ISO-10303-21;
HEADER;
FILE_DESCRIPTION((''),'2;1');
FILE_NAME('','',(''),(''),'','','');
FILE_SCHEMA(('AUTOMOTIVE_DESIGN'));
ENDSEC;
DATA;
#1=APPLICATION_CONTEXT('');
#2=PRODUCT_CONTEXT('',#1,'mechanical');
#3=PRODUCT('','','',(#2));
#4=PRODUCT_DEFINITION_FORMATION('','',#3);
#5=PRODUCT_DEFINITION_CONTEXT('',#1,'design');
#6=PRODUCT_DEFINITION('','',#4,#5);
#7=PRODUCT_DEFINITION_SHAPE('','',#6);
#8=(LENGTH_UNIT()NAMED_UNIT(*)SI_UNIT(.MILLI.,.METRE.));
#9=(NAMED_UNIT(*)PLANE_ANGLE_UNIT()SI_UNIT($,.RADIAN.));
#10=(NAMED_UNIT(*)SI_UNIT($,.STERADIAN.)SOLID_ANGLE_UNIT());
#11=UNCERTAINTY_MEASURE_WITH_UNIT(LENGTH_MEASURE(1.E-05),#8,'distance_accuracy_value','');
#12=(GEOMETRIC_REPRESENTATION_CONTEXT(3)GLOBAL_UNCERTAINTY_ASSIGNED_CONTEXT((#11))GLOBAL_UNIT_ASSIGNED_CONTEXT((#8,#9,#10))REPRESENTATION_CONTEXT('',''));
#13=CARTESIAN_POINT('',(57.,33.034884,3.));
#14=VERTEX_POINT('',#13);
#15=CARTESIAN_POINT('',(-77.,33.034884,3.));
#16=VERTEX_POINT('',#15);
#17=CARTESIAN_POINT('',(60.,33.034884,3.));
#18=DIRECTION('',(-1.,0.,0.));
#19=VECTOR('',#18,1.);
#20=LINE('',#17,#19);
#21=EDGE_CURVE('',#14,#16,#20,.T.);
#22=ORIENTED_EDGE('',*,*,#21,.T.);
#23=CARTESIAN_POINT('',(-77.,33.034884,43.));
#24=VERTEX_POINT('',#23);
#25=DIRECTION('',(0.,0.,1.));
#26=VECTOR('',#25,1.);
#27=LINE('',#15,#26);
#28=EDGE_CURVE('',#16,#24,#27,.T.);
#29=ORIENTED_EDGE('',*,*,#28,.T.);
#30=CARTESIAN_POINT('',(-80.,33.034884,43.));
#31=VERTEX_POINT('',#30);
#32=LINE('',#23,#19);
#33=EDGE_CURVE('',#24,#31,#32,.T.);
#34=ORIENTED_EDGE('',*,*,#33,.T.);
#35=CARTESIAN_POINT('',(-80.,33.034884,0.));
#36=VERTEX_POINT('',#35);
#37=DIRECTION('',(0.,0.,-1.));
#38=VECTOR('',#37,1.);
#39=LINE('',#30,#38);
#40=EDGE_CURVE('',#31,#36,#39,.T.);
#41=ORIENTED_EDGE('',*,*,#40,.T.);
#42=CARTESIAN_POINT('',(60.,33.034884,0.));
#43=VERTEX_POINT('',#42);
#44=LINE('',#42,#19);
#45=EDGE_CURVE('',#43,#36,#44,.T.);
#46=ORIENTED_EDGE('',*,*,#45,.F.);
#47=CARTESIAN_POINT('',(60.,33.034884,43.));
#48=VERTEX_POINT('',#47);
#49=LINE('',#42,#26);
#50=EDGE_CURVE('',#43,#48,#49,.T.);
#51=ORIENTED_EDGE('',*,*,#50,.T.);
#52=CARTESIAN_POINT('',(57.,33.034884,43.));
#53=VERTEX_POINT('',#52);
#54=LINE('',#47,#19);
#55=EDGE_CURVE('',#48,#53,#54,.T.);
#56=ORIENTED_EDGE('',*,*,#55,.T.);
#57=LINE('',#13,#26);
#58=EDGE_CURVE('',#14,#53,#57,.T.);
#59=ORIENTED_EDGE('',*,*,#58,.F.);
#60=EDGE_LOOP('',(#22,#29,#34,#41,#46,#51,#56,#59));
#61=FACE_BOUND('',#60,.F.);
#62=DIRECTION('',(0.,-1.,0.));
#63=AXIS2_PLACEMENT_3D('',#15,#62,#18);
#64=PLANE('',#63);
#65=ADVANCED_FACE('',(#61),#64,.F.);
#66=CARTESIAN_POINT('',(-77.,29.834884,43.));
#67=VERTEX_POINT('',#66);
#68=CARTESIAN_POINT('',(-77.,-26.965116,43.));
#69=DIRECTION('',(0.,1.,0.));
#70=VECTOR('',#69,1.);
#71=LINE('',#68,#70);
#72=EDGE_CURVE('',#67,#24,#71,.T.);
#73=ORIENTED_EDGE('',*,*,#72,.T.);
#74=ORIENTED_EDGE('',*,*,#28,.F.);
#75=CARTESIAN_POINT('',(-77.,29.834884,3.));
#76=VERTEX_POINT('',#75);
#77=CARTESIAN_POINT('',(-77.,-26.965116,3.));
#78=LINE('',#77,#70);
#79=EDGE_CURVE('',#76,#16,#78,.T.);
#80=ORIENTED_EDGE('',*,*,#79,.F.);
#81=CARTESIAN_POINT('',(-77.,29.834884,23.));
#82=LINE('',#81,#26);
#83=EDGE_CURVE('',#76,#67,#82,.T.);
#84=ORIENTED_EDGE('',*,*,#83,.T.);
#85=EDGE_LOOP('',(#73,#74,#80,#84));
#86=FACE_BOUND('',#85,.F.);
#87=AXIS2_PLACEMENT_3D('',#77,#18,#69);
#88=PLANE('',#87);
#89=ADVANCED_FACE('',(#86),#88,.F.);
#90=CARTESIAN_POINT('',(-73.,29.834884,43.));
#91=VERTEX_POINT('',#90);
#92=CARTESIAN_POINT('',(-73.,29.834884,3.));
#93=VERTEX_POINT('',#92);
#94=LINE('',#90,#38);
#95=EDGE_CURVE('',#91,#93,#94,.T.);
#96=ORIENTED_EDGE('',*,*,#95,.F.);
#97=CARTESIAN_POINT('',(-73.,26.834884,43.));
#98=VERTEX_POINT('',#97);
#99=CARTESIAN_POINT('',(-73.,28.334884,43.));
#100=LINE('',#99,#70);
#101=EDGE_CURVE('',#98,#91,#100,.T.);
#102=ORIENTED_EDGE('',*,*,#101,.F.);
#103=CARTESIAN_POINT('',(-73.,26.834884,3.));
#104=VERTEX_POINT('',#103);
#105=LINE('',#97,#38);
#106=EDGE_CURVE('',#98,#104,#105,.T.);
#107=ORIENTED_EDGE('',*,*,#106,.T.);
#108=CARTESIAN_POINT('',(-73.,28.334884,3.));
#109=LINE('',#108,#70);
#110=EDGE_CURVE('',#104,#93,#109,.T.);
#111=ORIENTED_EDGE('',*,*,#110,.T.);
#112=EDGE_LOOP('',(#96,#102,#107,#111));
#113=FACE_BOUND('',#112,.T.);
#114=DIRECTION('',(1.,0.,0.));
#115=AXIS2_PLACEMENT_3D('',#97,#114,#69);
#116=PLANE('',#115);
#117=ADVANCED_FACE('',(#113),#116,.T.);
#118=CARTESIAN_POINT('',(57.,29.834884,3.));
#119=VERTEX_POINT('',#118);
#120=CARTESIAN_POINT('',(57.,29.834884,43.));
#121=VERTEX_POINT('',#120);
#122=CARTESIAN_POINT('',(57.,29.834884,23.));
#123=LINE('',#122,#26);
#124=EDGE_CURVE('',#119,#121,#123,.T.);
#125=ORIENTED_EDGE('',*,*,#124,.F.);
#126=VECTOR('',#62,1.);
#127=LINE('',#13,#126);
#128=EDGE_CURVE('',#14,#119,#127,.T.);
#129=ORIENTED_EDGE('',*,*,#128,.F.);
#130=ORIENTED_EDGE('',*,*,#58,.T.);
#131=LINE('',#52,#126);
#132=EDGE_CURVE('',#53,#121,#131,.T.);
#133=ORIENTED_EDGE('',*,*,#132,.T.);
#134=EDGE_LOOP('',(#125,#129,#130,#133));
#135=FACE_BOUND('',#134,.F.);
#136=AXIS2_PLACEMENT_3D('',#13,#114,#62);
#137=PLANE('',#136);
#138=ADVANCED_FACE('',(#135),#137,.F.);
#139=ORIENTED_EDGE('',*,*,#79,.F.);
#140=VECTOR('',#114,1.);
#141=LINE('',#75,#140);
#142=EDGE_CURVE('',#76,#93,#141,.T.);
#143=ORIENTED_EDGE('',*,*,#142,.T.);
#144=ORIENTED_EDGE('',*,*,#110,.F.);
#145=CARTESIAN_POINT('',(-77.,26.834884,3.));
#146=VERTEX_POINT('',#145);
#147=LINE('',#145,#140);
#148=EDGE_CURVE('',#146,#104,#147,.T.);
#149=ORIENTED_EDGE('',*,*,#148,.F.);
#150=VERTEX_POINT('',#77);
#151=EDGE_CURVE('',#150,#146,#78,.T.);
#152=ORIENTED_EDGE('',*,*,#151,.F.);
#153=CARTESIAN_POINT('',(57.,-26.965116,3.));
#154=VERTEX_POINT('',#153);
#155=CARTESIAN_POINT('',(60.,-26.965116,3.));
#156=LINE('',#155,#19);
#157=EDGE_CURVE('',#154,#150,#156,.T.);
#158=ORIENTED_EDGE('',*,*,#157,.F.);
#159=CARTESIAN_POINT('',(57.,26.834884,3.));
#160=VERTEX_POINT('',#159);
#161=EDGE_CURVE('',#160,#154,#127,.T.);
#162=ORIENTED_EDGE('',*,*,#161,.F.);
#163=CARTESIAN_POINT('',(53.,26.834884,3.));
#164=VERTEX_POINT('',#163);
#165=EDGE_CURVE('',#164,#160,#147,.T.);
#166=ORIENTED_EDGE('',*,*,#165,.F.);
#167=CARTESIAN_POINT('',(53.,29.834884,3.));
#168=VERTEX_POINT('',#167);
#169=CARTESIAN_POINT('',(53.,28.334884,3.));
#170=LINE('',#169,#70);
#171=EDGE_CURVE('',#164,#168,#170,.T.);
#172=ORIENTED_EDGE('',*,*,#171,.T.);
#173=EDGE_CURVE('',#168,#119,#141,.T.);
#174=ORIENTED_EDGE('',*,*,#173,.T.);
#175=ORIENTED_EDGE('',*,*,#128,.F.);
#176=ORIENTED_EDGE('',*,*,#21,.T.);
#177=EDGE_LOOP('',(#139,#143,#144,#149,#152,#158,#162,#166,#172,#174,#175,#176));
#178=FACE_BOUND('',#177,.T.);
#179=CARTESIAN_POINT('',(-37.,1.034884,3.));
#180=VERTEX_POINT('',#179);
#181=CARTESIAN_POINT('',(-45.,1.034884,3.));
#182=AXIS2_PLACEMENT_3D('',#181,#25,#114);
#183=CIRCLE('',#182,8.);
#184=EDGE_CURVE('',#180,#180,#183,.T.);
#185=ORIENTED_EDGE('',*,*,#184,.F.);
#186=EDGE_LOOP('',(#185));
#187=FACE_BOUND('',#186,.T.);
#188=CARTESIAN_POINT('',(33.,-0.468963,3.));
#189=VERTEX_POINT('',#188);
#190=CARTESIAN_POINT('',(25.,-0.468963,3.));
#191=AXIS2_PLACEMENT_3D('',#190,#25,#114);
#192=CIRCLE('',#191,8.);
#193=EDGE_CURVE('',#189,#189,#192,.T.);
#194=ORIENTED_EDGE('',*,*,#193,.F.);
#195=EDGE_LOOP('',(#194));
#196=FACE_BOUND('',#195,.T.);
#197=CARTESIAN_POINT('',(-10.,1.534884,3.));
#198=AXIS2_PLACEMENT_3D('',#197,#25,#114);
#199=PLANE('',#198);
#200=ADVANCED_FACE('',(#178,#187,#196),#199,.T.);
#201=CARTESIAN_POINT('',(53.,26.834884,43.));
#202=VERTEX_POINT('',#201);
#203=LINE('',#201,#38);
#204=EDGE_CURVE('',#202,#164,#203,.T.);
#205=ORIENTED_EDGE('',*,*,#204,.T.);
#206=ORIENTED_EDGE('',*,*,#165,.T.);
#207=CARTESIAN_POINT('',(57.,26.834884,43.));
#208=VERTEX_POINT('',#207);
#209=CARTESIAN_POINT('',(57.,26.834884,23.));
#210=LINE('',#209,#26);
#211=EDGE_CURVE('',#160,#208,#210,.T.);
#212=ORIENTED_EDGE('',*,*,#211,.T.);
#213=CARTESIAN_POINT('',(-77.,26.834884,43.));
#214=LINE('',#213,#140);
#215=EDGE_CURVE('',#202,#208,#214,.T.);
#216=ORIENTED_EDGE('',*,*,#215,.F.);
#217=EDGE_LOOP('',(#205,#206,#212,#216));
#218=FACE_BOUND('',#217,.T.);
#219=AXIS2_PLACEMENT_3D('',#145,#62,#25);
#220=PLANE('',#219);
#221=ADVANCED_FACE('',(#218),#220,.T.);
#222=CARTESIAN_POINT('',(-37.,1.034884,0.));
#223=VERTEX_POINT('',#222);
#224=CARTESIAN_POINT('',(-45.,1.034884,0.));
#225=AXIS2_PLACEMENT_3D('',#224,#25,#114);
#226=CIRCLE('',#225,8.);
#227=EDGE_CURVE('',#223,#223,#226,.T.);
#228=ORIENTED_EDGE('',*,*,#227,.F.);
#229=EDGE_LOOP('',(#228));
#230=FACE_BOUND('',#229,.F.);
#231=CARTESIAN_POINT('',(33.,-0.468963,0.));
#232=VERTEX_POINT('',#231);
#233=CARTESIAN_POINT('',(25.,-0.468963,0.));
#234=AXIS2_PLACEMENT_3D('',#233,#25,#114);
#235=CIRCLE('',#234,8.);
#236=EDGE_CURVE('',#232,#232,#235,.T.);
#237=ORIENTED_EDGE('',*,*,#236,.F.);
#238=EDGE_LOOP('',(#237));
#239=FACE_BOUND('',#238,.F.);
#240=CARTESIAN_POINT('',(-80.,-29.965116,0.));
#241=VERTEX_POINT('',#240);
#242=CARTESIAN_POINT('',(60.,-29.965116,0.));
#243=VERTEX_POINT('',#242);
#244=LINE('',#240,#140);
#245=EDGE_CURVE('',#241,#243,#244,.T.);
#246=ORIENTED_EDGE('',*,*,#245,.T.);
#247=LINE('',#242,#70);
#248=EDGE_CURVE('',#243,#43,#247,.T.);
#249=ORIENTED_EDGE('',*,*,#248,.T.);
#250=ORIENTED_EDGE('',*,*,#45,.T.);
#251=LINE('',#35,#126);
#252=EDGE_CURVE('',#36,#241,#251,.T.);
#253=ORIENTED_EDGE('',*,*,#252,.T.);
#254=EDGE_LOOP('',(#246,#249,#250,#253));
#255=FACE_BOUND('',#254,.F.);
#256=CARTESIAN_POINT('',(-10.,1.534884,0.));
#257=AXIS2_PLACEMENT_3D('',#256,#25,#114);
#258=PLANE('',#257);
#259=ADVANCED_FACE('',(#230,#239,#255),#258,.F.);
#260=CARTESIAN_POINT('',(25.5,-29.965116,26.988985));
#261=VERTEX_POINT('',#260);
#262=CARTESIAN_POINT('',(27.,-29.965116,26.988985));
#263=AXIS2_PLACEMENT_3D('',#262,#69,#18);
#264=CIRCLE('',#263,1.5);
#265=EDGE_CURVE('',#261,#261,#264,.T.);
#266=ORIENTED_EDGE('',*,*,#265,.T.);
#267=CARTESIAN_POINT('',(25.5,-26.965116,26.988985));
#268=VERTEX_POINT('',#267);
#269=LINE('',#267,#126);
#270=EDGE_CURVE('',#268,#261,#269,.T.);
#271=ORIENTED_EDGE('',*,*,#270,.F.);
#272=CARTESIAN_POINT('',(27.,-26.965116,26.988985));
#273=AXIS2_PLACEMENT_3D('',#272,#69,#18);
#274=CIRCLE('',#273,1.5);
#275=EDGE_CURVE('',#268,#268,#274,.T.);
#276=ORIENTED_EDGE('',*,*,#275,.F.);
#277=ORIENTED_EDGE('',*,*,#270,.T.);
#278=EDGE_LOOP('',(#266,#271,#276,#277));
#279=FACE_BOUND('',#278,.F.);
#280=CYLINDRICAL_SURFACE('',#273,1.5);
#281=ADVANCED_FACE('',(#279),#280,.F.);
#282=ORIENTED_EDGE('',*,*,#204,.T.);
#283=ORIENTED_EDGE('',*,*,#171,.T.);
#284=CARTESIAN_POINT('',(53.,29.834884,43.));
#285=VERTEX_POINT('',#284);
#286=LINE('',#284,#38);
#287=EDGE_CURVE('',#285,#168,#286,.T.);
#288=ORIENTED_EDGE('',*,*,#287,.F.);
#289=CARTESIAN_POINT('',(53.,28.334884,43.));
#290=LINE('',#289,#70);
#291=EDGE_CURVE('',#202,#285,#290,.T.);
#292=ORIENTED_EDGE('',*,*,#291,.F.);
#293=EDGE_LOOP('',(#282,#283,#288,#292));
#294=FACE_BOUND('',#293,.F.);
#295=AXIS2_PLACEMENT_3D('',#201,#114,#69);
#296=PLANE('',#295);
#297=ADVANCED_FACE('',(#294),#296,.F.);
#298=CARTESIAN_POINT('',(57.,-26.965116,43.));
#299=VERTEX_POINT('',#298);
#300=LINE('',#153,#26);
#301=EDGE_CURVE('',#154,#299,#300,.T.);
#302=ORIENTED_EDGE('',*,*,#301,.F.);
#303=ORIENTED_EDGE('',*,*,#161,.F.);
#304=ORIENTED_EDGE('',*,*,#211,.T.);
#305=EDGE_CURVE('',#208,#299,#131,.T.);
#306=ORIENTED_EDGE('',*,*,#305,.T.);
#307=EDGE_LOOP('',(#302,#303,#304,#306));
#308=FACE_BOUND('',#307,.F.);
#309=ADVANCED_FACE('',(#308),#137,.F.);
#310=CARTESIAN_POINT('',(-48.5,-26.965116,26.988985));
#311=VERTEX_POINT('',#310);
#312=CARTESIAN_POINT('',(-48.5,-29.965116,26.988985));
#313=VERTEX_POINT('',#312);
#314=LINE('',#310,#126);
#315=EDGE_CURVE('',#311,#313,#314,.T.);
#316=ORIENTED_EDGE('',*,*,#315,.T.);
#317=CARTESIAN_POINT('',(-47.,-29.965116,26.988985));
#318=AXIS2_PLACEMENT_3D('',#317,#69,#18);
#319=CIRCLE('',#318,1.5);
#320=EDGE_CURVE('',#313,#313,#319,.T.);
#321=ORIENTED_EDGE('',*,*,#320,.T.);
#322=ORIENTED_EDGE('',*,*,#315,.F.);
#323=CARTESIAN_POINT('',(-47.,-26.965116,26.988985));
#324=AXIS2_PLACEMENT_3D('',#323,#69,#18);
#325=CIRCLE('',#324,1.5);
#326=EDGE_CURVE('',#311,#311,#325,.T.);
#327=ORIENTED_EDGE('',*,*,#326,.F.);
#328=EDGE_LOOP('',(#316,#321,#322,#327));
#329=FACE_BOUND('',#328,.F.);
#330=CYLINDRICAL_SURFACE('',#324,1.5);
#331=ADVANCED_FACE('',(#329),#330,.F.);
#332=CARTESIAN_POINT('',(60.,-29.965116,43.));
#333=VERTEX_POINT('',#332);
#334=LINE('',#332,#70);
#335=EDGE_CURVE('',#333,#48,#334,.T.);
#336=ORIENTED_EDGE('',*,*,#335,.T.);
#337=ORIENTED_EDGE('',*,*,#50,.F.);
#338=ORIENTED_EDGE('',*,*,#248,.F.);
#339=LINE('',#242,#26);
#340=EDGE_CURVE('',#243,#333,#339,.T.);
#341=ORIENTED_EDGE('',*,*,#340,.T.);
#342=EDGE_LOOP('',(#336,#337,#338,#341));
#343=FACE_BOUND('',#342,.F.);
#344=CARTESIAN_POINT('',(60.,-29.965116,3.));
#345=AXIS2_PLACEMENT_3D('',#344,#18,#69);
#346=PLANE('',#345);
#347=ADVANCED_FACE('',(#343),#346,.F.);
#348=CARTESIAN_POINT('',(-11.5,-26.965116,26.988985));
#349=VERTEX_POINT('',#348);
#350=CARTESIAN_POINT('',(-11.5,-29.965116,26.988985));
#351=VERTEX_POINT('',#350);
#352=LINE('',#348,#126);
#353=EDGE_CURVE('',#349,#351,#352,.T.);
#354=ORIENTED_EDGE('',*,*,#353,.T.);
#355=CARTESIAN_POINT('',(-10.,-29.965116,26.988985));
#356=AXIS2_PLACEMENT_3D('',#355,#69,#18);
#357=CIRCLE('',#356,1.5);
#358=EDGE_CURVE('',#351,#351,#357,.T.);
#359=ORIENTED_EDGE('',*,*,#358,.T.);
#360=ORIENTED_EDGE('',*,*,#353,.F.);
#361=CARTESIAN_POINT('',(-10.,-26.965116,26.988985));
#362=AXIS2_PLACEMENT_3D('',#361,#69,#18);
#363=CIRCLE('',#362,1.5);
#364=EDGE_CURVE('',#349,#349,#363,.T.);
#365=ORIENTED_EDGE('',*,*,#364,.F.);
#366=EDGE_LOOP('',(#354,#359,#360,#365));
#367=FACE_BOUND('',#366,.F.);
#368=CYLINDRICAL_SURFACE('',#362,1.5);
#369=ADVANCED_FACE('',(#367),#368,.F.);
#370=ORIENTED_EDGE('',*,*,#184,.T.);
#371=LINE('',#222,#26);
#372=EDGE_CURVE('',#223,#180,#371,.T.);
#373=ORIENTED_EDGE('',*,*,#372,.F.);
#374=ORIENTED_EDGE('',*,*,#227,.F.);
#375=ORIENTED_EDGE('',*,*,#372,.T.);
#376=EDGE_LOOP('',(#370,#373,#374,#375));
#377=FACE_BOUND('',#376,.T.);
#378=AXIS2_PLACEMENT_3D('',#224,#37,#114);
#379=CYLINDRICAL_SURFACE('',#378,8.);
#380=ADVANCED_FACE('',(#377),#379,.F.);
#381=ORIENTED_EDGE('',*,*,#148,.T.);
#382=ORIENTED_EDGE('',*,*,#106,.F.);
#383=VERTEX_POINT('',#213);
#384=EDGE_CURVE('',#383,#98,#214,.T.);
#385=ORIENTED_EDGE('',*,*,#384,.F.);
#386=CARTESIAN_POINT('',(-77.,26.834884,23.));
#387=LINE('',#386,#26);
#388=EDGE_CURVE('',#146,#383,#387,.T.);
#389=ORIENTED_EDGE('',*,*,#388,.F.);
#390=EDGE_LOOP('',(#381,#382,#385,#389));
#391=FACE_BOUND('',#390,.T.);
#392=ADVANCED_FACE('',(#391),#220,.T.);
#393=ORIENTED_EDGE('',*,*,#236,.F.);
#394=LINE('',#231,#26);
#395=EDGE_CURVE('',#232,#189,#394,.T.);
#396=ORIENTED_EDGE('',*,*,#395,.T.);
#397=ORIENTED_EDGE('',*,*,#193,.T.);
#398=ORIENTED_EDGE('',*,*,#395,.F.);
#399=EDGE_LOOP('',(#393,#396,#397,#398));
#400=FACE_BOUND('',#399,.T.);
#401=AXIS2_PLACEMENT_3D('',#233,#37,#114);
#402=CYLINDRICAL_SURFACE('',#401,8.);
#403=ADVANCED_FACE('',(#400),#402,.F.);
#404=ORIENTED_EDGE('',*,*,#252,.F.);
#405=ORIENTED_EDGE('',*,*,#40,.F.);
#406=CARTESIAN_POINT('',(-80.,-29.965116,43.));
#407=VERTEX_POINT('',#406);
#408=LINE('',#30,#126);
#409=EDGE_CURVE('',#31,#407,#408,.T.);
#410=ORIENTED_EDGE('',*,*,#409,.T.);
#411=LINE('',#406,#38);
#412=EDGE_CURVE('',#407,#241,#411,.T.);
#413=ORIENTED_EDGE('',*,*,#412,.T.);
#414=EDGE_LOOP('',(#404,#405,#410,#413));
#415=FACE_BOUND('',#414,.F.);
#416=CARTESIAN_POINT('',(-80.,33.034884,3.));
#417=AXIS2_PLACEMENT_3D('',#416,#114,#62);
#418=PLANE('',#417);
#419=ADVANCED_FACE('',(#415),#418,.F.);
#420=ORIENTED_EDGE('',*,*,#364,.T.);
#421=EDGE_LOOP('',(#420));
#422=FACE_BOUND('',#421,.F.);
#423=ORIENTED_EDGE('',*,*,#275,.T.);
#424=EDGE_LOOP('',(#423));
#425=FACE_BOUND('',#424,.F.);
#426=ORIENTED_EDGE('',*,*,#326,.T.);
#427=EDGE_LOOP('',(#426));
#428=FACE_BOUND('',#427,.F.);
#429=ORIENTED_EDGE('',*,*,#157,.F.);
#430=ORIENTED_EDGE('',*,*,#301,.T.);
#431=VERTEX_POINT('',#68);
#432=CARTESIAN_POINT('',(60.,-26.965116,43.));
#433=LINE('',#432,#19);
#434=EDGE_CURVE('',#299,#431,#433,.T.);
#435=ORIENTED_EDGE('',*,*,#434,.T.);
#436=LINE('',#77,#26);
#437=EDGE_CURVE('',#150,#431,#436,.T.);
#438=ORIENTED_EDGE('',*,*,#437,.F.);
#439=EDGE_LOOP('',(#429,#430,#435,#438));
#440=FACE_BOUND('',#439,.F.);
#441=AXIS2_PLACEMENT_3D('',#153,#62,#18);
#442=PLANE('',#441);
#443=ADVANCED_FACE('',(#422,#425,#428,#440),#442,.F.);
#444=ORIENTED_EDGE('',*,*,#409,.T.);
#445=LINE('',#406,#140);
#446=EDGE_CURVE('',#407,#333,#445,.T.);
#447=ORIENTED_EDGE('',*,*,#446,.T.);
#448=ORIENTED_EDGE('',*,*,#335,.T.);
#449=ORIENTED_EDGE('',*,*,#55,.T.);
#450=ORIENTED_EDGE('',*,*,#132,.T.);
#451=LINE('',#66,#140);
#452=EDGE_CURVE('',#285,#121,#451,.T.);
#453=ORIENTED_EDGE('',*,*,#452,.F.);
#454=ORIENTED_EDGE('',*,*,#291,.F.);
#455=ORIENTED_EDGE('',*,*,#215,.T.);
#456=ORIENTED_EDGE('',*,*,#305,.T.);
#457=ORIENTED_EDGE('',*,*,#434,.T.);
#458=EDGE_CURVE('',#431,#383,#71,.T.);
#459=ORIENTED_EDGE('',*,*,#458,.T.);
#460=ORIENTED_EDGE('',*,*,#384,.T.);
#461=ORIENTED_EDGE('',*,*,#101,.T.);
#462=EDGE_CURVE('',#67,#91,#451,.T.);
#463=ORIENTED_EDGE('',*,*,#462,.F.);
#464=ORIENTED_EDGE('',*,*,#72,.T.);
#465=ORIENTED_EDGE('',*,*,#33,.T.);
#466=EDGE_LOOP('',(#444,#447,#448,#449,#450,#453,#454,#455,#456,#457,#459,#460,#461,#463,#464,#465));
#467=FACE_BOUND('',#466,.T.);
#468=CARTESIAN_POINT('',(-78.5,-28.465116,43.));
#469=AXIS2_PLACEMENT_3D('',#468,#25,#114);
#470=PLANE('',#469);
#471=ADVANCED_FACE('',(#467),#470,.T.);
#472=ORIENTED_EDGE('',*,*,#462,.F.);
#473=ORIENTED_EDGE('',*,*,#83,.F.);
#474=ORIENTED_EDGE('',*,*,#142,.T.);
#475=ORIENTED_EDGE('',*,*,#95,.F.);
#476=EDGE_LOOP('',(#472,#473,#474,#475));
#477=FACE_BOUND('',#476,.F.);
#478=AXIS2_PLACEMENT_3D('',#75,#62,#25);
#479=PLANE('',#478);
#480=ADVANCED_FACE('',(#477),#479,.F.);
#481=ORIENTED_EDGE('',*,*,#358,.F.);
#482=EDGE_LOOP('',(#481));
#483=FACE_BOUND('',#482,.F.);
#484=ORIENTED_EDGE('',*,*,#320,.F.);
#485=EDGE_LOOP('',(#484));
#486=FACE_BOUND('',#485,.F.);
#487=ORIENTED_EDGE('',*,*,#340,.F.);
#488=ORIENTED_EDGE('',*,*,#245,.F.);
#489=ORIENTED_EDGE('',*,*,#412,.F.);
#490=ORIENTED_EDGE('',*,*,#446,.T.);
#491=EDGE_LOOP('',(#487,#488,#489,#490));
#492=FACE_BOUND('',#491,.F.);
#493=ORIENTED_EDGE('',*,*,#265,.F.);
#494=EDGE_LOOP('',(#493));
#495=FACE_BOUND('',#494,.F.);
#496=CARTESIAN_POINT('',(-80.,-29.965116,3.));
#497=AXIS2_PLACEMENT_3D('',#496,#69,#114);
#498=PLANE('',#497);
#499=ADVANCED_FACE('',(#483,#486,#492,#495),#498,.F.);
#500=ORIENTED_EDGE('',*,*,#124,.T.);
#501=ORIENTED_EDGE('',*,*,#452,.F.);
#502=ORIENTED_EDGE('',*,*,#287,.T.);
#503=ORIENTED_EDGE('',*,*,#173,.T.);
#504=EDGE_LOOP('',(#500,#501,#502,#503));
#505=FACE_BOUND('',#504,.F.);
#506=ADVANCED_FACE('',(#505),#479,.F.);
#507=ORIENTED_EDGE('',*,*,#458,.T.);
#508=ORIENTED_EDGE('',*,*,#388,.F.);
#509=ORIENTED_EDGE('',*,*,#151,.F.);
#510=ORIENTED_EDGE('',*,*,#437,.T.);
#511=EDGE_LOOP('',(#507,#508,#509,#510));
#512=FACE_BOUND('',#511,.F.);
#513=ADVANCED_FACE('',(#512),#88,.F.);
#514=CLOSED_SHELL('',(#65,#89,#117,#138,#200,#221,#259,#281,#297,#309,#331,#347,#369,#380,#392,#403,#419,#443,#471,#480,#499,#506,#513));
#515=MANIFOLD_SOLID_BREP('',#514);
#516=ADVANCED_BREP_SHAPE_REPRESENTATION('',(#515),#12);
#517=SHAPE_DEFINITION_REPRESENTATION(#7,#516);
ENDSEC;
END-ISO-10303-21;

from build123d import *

# Parameters (mm, degrees)
F0_R     = 8
F1_DEPTH = 3
F2_W     = 3
F2_H     = 3
F2_W_2   = 134
F3_DEPTH = 40
F4_W     = 3
F4_H     = 40
F5_DEPTH = 134
F6_W     = 126
F6_H     = 3
F7_DEPTH = 40
F8_R     = 1.5
F9_DEPTH = 3


with BuildPart() as f1:
    # F0 (on Top) → F1 (new body)
    with BuildSketch(Plane.XY):
        Polygon((-60, 33.034884), (-80, 33.034884), (-80, 18.034884), (-80, 0.034884), (-80, -2.965116), (-80, -17.965116), (-80, -29.965116), (60, -29.965116), (60, -24.965116), (60, -14.965116), (60, -9.965116), (60, -4.965116), (60, 0.034884), (60, 18.034884), (60, 33.034884), (40, 33.034884), (20, 33.034884), (0, 33.034884), (-20, 33.034884), (-40, 33.034884), align=None)
        with Locations((25, -0.468963)):
            Circle(F0_R, mode=Mode.SUBTRACT)
        with Locations((-45, 1.034884)):
            Circle(F0_R, mode=Mode.SUBTRACT)
    extrude(amount=F1_DEPTH)

    # F2 (on face) → F3 (join)
    with BuildSketch(Plane.XY.offset(3)):
        with Locations((-78.5, -28.465116)):
            Rectangle(F2_W, F2_H)
        with Locations((-10, -28.465116)):
            Rectangle(F2_W_2, F2_H)
        Polygon((-80, 30.034884), (-80, -26.965116), (-77, -26.965116), (-77, 33.034884), (-80, 33.034884), align=None)
        with Locations((58.5, -28.465116)):
            Rectangle(F2_W, F2_H)
        Polygon((57, 33.034884), (57, -26.965116), (60, -26.965116), (60, 30.034884), (60, 33.034884), align=None)
    extrude(amount=F3_DEPTH)

    # F4 (on face) → F5 (join)
    with BuildSketch(Plane.YZ.offset(-77)):
        with Locations((28.334884, 23)):
            Rectangle(F4_W, F4_H)
    extrude(amount=F5_DEPTH)

    # F6 (on face) → F7 (cut)
    with BuildSketch(Plane.XY.offset(43)):
        with Locations((-10, 28.334884)):
            Rectangle(F6_W, F6_H)
    extrude(amount=-F7_DEPTH, mode=Mode.SUBTRACT)

    # F8 (on face) → F9 (cut)
    with BuildSketch(Plane(origin=(0, -26.965116, 0), x_dir=(-1, 0, 0), z_dir=(0, 1, 0))):
        with Locations((47, 26.988985)):
            Circle(F8_R)
        with Locations((-27, 26.988985)):
            Circle(F8_R)
        with Locations((10, 26.988985)):
            Circle(F8_R)
    extrude(amount=-F9_DEPTH, mode=Mode.SUBTRACT)


solid = f1.part
